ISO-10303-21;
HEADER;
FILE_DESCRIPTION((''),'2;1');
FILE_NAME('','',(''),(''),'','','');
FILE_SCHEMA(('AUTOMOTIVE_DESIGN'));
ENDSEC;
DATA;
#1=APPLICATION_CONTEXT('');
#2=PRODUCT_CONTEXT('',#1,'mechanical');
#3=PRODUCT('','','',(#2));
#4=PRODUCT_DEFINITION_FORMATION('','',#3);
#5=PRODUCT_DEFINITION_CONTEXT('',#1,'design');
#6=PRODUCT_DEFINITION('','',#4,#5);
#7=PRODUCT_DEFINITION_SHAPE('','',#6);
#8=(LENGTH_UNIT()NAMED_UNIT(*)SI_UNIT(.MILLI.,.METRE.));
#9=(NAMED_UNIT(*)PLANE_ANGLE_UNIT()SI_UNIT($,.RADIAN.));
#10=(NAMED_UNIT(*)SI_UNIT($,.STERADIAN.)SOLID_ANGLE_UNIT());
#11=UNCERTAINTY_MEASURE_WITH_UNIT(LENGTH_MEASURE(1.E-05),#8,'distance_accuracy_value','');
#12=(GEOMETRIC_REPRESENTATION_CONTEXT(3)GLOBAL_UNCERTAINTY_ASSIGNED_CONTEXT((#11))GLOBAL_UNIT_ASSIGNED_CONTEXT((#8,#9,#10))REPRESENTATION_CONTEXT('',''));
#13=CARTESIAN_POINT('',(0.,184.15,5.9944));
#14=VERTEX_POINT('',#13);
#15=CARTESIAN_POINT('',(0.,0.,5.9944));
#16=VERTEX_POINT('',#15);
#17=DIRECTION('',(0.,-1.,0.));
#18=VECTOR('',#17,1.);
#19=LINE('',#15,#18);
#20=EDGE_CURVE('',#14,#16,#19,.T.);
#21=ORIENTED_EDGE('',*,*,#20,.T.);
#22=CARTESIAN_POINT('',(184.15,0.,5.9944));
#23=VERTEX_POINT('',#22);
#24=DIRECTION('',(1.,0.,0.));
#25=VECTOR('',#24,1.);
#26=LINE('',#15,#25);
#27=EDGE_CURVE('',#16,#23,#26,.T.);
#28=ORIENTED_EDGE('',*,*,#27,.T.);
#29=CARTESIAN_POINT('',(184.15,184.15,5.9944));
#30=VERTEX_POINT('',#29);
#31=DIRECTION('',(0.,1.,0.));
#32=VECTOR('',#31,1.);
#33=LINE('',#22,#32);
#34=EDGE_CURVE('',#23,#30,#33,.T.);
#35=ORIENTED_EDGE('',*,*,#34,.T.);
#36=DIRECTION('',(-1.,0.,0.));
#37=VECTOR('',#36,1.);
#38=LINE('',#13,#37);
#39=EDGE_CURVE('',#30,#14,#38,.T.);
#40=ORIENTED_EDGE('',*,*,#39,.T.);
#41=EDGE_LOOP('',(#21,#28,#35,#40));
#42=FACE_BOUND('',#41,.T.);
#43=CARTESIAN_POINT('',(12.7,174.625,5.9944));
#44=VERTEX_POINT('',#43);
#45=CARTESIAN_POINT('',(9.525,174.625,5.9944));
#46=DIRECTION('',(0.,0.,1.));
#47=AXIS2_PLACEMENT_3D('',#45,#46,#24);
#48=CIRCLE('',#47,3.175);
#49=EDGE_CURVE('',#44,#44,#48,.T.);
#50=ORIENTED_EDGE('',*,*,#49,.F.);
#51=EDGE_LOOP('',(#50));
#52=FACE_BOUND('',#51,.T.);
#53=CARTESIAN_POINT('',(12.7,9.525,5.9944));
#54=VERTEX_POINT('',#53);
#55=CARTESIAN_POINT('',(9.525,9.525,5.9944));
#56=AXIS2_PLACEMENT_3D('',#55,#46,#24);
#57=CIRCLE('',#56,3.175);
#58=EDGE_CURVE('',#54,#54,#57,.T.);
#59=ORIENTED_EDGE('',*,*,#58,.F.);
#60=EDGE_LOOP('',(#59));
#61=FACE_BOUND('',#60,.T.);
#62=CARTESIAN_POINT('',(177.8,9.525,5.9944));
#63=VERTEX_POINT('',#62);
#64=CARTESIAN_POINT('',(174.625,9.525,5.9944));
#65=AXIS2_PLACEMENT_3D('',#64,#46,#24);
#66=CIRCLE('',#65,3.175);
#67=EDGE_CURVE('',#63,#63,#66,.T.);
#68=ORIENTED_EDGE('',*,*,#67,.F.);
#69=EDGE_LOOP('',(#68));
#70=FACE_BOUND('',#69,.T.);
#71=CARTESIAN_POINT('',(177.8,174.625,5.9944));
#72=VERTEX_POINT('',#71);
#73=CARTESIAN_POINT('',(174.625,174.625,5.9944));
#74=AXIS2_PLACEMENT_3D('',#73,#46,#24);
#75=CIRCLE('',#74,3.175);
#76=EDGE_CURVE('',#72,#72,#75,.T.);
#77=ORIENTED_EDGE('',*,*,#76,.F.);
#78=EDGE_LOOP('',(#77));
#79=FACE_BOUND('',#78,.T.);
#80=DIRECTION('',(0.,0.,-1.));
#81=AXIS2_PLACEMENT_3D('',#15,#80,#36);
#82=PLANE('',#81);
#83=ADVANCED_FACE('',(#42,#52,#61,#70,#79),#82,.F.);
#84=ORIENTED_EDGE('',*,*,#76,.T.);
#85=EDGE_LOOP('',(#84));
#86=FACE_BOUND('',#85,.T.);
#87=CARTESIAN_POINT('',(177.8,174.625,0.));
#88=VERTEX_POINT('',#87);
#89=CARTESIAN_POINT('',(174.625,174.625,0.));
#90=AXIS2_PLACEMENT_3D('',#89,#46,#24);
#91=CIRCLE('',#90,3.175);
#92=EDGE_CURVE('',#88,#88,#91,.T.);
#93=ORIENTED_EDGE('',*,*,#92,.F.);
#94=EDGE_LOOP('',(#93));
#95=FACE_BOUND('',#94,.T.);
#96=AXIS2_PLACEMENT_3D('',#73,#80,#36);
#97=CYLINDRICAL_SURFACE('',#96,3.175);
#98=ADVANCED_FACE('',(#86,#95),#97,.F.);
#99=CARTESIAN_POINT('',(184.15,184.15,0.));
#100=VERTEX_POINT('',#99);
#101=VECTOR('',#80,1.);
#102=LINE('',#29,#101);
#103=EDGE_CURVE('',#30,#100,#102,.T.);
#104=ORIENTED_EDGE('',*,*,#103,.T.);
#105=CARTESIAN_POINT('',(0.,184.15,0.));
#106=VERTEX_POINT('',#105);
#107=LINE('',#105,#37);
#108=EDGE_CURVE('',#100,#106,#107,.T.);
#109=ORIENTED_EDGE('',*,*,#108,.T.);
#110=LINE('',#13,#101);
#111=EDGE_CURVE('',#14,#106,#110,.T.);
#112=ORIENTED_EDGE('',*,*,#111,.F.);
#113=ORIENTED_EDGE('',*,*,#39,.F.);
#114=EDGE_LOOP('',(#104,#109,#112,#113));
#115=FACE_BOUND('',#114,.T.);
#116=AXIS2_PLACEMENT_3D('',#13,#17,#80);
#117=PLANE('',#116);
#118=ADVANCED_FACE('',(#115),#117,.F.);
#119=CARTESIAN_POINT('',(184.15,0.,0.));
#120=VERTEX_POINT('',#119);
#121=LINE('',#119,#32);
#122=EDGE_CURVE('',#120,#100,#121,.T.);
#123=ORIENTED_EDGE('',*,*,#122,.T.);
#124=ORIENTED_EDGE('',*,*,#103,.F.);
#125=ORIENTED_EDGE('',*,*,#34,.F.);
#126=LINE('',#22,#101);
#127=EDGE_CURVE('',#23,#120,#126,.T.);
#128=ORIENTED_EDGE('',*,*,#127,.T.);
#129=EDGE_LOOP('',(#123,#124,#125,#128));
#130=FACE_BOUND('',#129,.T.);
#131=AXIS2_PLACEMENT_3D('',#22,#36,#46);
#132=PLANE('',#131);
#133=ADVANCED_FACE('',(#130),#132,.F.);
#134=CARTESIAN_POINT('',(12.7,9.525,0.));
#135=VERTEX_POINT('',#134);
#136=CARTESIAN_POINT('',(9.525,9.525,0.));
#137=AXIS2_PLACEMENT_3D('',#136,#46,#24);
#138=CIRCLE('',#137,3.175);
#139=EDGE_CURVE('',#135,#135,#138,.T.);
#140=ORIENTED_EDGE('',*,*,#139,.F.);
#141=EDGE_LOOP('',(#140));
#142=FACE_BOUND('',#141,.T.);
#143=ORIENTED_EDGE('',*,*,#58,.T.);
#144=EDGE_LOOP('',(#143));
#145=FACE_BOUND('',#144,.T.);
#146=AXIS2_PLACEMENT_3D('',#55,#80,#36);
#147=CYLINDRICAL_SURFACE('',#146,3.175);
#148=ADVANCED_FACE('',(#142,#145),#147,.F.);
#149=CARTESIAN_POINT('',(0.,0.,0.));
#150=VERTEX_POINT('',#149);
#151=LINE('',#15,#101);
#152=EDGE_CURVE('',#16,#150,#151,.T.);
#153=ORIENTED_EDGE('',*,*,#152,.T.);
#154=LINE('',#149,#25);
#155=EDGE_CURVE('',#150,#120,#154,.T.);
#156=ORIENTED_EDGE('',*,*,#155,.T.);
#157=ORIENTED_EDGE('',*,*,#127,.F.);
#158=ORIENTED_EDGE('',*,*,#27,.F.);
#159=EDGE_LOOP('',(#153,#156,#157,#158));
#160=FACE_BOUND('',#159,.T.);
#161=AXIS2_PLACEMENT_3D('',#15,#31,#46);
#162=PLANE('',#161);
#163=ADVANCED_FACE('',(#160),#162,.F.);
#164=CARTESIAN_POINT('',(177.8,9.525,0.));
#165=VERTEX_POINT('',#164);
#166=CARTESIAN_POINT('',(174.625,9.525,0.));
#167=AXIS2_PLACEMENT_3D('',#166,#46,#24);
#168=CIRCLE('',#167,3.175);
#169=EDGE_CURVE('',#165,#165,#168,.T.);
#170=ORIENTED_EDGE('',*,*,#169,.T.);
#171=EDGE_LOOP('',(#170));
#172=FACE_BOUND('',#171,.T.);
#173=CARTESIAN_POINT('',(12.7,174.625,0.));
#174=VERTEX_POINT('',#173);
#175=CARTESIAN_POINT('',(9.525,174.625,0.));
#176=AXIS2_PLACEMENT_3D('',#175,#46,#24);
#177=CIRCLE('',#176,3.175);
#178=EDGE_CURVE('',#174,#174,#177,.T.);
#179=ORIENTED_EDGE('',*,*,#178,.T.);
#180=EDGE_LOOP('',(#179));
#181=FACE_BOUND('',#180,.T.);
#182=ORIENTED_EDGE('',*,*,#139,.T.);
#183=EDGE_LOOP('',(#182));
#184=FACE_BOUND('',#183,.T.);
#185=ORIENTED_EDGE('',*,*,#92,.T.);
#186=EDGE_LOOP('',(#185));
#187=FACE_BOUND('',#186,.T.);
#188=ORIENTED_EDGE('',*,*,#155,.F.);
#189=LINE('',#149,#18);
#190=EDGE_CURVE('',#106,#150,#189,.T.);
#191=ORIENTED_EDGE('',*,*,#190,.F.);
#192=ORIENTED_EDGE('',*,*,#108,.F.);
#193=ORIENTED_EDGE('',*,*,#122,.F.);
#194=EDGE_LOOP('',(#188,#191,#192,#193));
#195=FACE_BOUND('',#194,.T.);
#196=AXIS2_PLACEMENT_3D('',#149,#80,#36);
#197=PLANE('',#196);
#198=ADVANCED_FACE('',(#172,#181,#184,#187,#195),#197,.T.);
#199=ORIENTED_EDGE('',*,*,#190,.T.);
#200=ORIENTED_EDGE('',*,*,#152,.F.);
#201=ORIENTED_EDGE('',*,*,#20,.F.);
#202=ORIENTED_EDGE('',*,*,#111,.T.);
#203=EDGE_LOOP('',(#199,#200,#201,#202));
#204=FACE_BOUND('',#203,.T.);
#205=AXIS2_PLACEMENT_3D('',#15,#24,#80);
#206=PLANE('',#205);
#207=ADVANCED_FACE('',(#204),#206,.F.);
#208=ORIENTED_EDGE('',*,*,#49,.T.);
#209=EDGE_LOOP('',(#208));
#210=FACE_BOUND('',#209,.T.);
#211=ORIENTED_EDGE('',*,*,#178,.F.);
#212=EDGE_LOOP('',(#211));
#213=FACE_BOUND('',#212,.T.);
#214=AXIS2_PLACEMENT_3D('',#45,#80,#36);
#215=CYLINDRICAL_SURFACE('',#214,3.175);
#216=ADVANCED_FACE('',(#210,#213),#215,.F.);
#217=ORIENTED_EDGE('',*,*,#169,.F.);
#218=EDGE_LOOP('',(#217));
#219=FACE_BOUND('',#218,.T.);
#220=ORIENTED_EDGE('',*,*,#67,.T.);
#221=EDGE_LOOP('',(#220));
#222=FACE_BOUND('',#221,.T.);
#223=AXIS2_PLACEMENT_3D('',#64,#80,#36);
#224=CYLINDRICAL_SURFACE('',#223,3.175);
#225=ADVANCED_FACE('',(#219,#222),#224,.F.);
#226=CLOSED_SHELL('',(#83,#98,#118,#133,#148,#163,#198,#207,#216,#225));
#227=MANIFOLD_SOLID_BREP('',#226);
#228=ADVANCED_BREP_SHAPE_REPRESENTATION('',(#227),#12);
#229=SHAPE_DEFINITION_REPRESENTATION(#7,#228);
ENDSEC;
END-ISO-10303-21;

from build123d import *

# Parameters (mm, degrees)
SKETCH1_W           = 184.15
SKETCH1_H           = 184.15
SKETCH1_R           = 3.175
BOSS_EXTRUDE1_DEPTH = 5.9944


with BuildPart() as part:
    # Sketch1 → Boss-Extrude1 (new body)
    with BuildSketch(Plane.XY):
        with Locations((92.075, 92.075)):
            Rectangle(SKETCH1_W, SKETCH1_H)
        with Locations((9.525, 174.625)):
            Circle(SKETCH1_R, mode=Mode.SUBTRACT)
        with Locations((9.525, 9.525)):
            Circle(SKETCH1_R, mode=Mode.SUBTRACT)
        with Locations((174.625, 174.625)):
            Circle(SKETCH1_R, mode=Mode.SUBTRACT)
        with Locations((174.625, 9.525)):
            Circle(SKETCH1_R, mode=Mode.SUBTRACT)
    extrude(amount=BOSS_EXTRUDE1_DEPTH)


solid = part.part
